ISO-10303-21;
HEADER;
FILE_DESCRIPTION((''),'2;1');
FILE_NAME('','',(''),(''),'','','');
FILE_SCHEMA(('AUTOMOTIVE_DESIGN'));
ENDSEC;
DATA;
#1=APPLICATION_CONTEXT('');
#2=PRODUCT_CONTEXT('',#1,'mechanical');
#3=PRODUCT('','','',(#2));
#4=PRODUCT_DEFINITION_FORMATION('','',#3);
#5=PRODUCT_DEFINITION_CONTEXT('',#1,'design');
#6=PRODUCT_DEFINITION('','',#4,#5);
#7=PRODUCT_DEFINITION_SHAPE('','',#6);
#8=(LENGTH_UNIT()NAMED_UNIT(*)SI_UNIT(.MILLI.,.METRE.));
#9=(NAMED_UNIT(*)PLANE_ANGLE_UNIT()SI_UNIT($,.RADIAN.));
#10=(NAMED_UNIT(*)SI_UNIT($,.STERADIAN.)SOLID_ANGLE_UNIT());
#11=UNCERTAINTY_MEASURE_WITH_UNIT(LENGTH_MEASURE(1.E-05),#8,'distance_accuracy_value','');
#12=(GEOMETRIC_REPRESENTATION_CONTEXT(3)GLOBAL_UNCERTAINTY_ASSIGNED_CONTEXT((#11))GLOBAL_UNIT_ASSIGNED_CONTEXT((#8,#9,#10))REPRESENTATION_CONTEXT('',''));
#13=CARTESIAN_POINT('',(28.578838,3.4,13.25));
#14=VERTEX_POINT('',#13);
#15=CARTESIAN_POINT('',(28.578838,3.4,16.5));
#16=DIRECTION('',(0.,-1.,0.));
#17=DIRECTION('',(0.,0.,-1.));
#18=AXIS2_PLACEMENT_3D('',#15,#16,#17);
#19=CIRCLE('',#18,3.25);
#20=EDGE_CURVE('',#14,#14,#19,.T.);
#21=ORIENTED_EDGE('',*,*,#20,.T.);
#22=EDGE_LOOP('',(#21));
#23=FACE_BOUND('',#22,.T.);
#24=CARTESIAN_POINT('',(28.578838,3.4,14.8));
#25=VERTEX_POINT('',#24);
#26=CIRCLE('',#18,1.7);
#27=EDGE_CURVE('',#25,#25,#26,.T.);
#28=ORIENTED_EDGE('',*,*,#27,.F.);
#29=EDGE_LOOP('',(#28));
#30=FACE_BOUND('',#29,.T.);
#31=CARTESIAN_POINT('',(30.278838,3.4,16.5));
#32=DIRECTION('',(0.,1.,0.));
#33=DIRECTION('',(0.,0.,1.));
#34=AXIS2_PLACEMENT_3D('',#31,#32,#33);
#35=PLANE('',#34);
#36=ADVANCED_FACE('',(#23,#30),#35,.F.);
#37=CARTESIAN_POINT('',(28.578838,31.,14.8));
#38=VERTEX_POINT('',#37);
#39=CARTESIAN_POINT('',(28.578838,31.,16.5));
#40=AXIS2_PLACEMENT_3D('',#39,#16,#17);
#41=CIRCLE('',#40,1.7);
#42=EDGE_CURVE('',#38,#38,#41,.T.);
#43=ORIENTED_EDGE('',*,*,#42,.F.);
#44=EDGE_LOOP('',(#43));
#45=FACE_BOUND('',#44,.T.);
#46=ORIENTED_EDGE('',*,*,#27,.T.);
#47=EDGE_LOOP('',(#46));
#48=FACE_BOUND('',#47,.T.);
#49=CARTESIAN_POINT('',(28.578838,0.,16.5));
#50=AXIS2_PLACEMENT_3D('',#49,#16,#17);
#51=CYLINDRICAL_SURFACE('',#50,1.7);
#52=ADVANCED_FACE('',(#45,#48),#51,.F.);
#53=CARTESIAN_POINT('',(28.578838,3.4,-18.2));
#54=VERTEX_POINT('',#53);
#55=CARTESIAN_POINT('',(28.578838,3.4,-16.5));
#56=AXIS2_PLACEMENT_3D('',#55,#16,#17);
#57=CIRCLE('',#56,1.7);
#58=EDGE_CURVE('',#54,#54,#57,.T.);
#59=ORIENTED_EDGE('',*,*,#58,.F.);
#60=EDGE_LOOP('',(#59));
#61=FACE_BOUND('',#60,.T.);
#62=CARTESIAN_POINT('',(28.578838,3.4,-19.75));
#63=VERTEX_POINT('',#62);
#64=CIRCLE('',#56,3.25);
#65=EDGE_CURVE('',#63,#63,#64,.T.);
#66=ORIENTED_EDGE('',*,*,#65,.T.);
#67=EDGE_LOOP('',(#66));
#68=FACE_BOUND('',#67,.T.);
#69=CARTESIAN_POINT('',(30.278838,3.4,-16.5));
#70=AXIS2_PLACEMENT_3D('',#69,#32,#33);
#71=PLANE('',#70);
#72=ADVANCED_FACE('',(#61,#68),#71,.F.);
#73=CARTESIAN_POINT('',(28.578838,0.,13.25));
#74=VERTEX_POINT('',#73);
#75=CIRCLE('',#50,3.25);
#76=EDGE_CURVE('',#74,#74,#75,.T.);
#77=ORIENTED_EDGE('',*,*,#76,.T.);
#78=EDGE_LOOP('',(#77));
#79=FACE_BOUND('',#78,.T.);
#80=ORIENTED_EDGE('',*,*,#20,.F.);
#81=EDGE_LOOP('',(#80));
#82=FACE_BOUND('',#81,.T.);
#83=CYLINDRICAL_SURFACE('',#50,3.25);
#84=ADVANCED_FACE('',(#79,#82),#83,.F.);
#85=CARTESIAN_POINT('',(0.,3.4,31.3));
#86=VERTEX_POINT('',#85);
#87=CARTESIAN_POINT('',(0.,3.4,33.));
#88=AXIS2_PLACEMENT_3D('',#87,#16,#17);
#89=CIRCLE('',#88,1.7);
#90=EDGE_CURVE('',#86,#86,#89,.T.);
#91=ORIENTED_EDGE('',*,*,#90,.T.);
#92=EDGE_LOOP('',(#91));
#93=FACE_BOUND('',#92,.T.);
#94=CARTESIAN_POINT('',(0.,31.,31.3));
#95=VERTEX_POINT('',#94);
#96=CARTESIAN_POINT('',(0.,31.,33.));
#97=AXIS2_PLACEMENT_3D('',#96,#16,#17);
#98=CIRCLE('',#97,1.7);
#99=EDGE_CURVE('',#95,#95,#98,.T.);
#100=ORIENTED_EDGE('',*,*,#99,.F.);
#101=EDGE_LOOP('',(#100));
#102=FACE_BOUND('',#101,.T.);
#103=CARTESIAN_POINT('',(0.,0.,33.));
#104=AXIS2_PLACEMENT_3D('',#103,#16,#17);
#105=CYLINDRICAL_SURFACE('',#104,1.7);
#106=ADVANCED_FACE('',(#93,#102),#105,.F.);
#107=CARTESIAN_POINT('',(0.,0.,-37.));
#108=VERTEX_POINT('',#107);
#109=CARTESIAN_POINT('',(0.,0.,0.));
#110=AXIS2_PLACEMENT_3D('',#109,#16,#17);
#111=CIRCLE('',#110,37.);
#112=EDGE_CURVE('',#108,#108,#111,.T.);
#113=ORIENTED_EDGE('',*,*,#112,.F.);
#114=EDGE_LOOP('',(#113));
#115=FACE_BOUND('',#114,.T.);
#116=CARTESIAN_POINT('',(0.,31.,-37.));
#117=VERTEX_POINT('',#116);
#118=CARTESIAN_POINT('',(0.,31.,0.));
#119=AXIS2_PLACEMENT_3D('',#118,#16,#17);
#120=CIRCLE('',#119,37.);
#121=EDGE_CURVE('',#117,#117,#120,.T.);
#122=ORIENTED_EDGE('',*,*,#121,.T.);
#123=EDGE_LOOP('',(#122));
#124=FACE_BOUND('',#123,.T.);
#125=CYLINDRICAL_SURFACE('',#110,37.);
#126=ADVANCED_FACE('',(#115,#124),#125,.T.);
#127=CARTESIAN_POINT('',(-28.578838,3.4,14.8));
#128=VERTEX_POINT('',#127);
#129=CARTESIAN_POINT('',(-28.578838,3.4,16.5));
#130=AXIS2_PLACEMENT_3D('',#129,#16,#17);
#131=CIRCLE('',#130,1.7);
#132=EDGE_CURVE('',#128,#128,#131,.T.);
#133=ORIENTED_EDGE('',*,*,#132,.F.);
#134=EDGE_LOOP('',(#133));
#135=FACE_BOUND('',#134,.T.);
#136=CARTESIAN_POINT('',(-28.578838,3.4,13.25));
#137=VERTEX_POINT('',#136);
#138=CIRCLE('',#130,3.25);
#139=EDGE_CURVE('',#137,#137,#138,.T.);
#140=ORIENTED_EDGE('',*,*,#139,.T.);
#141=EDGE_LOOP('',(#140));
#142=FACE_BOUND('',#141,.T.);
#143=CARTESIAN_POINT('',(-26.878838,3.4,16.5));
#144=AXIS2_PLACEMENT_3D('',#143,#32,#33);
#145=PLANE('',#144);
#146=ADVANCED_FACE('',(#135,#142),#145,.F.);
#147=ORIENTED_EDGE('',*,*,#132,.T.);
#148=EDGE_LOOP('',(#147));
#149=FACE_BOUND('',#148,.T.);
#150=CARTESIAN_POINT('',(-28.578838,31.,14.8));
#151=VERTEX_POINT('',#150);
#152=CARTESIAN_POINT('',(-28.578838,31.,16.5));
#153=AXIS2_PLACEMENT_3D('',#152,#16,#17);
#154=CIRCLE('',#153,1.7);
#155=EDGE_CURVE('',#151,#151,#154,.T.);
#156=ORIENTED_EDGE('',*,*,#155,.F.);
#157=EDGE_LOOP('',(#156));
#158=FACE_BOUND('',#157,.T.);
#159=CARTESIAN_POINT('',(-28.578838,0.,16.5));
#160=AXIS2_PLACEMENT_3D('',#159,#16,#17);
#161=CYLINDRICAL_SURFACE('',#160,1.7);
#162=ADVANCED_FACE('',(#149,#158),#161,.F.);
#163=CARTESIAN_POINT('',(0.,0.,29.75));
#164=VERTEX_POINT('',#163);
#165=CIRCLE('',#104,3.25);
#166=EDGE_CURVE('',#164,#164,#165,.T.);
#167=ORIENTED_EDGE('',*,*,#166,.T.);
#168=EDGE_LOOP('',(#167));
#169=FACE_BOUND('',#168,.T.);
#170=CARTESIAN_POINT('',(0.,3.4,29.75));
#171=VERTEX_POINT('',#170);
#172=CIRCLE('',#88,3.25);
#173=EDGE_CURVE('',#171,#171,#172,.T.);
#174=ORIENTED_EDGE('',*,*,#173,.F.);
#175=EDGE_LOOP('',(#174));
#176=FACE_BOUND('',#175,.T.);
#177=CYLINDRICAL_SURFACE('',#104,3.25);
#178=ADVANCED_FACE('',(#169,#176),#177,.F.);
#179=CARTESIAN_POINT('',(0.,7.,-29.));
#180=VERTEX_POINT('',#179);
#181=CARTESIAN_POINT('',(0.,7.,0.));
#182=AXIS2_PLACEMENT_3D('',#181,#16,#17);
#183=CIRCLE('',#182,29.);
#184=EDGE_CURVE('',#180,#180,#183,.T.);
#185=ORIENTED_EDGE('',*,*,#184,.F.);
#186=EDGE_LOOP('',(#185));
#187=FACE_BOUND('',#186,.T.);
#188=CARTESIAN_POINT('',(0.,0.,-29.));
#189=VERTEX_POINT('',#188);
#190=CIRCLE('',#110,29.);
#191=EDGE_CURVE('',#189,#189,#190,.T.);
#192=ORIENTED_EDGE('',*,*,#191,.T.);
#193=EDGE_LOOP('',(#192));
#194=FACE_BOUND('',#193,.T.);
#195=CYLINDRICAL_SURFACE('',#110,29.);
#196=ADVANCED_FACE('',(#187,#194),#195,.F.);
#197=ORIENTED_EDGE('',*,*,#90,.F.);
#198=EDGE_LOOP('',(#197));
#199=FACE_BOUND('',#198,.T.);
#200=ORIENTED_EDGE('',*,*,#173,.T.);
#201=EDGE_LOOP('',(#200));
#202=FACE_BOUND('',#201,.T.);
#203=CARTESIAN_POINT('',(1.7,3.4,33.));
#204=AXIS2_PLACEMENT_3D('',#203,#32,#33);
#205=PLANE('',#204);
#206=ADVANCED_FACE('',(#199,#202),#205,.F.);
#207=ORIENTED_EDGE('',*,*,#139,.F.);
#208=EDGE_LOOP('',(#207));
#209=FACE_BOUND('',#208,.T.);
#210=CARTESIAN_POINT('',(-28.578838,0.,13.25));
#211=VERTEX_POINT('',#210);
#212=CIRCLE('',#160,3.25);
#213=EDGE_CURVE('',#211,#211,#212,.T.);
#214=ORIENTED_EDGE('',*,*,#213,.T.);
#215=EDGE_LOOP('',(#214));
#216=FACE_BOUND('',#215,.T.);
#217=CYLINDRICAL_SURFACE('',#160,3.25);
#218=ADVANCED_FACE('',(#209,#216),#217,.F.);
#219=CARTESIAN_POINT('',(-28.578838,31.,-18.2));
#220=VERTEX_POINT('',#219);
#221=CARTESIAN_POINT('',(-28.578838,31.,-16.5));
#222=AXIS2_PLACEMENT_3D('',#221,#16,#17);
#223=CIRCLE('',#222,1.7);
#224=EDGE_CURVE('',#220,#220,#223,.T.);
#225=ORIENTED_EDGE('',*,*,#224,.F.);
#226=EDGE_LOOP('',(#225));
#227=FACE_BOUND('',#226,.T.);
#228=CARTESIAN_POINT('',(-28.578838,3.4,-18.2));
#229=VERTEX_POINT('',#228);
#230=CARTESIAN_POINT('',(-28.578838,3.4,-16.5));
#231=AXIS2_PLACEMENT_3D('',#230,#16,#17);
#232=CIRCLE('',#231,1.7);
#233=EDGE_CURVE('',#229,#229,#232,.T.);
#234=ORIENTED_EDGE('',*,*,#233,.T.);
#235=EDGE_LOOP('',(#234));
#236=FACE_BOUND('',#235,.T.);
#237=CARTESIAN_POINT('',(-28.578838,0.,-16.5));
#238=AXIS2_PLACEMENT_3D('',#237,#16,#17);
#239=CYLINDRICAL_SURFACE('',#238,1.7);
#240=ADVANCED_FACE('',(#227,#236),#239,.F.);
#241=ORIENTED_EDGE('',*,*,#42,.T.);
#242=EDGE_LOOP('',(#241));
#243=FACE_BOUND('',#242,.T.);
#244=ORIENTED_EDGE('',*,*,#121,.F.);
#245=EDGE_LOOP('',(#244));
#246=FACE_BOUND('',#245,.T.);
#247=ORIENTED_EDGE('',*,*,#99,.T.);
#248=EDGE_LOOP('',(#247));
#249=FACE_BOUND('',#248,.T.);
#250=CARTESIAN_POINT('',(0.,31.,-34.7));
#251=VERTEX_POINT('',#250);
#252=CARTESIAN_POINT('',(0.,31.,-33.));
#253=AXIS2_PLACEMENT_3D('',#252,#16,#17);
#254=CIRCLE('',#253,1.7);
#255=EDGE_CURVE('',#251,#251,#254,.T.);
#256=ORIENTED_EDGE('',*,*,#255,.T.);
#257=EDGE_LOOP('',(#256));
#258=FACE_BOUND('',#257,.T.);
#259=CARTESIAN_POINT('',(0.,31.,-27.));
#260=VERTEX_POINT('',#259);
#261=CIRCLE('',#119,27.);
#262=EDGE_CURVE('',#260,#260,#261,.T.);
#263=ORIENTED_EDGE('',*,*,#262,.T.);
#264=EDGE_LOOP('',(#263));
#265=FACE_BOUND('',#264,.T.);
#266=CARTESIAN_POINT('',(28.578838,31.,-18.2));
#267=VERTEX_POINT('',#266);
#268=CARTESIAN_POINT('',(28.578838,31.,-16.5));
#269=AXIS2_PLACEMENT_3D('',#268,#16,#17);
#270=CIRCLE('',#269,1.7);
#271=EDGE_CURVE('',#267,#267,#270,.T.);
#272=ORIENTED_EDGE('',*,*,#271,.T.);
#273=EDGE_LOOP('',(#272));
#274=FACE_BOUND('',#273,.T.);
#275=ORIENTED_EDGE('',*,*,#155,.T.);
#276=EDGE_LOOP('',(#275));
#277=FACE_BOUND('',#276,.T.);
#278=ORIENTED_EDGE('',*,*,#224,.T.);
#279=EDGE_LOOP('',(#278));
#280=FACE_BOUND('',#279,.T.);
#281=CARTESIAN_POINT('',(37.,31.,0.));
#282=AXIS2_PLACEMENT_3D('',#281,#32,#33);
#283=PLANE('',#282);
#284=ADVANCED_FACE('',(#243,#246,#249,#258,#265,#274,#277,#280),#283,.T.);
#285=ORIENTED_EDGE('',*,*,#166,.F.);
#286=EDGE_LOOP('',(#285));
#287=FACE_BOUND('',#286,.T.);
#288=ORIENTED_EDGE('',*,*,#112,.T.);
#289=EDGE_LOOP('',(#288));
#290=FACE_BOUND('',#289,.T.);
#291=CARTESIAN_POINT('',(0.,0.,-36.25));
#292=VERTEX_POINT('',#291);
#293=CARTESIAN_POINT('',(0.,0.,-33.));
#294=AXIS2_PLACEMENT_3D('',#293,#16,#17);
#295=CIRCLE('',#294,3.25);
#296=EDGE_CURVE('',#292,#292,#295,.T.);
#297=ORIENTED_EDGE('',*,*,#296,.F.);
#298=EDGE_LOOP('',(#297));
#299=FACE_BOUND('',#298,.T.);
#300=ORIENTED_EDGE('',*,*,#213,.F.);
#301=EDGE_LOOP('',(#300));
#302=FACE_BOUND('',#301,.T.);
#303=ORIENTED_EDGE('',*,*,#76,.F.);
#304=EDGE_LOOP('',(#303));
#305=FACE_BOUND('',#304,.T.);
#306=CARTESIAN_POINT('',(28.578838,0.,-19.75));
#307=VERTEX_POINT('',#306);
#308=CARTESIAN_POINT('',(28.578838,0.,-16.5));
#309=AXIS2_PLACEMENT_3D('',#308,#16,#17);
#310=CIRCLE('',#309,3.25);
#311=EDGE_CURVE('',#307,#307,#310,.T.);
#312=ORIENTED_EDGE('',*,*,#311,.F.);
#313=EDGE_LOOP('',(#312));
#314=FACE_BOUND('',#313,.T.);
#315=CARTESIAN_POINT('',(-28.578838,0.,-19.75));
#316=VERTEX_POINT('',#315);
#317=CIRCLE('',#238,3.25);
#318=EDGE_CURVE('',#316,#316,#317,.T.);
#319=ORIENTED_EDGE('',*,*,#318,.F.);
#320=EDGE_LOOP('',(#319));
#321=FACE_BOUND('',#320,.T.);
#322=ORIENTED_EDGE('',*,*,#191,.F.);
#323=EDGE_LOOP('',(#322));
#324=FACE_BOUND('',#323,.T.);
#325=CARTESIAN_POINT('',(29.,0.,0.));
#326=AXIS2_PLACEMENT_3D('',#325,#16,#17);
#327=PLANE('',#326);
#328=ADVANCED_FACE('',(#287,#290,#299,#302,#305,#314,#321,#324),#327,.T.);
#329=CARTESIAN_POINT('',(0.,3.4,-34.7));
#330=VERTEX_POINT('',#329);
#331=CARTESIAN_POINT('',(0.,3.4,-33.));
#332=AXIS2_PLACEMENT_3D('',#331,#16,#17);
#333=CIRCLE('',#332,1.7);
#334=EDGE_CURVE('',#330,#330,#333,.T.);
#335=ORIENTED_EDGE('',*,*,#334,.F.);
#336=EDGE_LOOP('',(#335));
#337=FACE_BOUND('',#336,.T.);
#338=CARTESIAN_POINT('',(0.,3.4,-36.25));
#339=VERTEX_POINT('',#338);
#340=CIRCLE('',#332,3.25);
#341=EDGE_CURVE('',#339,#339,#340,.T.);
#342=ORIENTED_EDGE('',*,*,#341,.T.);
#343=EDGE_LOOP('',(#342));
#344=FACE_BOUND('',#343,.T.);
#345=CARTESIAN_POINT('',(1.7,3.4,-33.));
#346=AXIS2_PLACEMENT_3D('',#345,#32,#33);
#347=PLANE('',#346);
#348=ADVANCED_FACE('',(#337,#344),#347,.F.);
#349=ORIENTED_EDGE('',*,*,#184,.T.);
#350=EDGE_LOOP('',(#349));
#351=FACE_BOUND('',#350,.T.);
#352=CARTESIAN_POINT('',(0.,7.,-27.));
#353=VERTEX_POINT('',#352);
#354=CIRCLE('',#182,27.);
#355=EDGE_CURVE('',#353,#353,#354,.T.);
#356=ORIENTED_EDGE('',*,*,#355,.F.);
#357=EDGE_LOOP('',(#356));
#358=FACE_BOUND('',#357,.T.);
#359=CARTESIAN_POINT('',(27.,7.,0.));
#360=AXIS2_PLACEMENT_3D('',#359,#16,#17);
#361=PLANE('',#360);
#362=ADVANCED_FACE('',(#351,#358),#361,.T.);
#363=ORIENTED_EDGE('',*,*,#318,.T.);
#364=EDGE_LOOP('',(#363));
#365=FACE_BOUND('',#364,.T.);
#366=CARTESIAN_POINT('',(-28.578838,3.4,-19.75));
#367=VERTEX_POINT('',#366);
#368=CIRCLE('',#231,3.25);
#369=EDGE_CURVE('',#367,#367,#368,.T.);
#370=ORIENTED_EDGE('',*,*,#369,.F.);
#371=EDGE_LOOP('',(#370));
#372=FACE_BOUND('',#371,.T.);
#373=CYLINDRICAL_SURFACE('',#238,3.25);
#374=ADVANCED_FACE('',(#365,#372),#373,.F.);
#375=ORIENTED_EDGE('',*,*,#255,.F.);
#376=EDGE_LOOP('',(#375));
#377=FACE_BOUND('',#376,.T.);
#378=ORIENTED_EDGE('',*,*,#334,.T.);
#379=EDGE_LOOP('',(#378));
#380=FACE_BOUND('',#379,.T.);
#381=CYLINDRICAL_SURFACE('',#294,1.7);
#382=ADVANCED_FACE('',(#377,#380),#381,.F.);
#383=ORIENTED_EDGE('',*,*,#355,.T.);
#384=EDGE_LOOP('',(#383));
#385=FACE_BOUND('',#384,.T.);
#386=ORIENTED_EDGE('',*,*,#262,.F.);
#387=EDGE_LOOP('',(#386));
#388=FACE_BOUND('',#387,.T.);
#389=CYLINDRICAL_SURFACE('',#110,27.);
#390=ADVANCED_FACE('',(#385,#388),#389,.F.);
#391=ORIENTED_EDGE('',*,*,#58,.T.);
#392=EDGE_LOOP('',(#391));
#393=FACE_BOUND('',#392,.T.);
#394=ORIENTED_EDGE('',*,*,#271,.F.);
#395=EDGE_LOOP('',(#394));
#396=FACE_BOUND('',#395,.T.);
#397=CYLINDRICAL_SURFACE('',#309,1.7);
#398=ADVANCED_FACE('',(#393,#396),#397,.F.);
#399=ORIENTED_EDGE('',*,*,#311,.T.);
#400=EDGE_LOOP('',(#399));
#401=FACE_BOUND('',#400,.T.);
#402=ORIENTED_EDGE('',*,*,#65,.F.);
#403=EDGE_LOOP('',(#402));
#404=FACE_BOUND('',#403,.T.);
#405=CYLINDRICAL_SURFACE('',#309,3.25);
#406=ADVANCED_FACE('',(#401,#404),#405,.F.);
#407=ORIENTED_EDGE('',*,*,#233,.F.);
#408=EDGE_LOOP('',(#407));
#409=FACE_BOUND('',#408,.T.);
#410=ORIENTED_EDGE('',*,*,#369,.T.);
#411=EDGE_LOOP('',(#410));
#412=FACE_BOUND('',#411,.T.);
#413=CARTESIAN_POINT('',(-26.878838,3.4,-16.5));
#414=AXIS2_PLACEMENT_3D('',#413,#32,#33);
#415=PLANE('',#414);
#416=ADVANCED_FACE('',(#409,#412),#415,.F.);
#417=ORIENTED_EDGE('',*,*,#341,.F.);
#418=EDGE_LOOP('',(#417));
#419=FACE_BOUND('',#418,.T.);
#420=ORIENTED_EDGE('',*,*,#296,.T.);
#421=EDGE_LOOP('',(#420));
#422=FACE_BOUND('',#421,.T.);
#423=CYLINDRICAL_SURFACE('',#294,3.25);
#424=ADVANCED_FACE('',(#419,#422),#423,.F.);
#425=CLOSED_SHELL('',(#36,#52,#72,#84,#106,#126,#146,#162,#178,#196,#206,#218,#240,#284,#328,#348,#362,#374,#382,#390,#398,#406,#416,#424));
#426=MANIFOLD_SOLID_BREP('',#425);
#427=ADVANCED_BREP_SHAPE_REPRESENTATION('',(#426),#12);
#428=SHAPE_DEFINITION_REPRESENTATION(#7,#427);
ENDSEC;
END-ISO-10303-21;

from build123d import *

# Parameters (mm, degrees)
CBORE_FOR_M3_HEX_SOCKET_HEAD_CAP_SCREW1_D           = 3.4
CBORE_FOR_M3_HEX_SOCKET_HEAD_CAP_SCREW1_CBORE_D     = 6.5
CBORE_FOR_M3_HEX_SOCKET_HEAD_CAP_SCREW1_CBORE_DEPTH = 3.4


with BuildPart() as part:
    # Sketch1 → Revolve1 (revolve)
    with BuildSketch(Plane.XY, mode=Mode.PRIVATE) as revolve1_sk:
        Polygon((29, 0), (37, 0), (37, 31), (27, 31), (27, 7), (29, 7), align=None)
    revolve(revolve1_sk.sketch.rotate(Axis((0, 0, 0), (0, 1, 0)), 90), axis=Axis((0, 0, 0), (0, 1, 0)))

    # CBORE for M3 Hex Socket Head Cap Screw1 (through all)
    with Locations(Plane(origin=(0, 0, 0), x_dir=(-1, 0, 0), z_dir=(0, -1, 0))):
        with Locations((28.578838325, -16.5), (0, -33), (-28.578838325, -16.5), (-28.578838325, 16.5), (0, 33), (28.578838325, 16.5)):
            CounterBoreHole(CBORE_FOR_M3_HEX_SOCKET_HEAD_CAP_SCREW1_D / 2, CBORE_FOR_M3_HEX_SOCKET_HEAD_CAP_SCREW1_CBORE_D / 2, CBORE_FOR_M3_HEX_SOCKET_HEAD_CAP_SCREW1_CBORE_DEPTH)


solid = part.part
